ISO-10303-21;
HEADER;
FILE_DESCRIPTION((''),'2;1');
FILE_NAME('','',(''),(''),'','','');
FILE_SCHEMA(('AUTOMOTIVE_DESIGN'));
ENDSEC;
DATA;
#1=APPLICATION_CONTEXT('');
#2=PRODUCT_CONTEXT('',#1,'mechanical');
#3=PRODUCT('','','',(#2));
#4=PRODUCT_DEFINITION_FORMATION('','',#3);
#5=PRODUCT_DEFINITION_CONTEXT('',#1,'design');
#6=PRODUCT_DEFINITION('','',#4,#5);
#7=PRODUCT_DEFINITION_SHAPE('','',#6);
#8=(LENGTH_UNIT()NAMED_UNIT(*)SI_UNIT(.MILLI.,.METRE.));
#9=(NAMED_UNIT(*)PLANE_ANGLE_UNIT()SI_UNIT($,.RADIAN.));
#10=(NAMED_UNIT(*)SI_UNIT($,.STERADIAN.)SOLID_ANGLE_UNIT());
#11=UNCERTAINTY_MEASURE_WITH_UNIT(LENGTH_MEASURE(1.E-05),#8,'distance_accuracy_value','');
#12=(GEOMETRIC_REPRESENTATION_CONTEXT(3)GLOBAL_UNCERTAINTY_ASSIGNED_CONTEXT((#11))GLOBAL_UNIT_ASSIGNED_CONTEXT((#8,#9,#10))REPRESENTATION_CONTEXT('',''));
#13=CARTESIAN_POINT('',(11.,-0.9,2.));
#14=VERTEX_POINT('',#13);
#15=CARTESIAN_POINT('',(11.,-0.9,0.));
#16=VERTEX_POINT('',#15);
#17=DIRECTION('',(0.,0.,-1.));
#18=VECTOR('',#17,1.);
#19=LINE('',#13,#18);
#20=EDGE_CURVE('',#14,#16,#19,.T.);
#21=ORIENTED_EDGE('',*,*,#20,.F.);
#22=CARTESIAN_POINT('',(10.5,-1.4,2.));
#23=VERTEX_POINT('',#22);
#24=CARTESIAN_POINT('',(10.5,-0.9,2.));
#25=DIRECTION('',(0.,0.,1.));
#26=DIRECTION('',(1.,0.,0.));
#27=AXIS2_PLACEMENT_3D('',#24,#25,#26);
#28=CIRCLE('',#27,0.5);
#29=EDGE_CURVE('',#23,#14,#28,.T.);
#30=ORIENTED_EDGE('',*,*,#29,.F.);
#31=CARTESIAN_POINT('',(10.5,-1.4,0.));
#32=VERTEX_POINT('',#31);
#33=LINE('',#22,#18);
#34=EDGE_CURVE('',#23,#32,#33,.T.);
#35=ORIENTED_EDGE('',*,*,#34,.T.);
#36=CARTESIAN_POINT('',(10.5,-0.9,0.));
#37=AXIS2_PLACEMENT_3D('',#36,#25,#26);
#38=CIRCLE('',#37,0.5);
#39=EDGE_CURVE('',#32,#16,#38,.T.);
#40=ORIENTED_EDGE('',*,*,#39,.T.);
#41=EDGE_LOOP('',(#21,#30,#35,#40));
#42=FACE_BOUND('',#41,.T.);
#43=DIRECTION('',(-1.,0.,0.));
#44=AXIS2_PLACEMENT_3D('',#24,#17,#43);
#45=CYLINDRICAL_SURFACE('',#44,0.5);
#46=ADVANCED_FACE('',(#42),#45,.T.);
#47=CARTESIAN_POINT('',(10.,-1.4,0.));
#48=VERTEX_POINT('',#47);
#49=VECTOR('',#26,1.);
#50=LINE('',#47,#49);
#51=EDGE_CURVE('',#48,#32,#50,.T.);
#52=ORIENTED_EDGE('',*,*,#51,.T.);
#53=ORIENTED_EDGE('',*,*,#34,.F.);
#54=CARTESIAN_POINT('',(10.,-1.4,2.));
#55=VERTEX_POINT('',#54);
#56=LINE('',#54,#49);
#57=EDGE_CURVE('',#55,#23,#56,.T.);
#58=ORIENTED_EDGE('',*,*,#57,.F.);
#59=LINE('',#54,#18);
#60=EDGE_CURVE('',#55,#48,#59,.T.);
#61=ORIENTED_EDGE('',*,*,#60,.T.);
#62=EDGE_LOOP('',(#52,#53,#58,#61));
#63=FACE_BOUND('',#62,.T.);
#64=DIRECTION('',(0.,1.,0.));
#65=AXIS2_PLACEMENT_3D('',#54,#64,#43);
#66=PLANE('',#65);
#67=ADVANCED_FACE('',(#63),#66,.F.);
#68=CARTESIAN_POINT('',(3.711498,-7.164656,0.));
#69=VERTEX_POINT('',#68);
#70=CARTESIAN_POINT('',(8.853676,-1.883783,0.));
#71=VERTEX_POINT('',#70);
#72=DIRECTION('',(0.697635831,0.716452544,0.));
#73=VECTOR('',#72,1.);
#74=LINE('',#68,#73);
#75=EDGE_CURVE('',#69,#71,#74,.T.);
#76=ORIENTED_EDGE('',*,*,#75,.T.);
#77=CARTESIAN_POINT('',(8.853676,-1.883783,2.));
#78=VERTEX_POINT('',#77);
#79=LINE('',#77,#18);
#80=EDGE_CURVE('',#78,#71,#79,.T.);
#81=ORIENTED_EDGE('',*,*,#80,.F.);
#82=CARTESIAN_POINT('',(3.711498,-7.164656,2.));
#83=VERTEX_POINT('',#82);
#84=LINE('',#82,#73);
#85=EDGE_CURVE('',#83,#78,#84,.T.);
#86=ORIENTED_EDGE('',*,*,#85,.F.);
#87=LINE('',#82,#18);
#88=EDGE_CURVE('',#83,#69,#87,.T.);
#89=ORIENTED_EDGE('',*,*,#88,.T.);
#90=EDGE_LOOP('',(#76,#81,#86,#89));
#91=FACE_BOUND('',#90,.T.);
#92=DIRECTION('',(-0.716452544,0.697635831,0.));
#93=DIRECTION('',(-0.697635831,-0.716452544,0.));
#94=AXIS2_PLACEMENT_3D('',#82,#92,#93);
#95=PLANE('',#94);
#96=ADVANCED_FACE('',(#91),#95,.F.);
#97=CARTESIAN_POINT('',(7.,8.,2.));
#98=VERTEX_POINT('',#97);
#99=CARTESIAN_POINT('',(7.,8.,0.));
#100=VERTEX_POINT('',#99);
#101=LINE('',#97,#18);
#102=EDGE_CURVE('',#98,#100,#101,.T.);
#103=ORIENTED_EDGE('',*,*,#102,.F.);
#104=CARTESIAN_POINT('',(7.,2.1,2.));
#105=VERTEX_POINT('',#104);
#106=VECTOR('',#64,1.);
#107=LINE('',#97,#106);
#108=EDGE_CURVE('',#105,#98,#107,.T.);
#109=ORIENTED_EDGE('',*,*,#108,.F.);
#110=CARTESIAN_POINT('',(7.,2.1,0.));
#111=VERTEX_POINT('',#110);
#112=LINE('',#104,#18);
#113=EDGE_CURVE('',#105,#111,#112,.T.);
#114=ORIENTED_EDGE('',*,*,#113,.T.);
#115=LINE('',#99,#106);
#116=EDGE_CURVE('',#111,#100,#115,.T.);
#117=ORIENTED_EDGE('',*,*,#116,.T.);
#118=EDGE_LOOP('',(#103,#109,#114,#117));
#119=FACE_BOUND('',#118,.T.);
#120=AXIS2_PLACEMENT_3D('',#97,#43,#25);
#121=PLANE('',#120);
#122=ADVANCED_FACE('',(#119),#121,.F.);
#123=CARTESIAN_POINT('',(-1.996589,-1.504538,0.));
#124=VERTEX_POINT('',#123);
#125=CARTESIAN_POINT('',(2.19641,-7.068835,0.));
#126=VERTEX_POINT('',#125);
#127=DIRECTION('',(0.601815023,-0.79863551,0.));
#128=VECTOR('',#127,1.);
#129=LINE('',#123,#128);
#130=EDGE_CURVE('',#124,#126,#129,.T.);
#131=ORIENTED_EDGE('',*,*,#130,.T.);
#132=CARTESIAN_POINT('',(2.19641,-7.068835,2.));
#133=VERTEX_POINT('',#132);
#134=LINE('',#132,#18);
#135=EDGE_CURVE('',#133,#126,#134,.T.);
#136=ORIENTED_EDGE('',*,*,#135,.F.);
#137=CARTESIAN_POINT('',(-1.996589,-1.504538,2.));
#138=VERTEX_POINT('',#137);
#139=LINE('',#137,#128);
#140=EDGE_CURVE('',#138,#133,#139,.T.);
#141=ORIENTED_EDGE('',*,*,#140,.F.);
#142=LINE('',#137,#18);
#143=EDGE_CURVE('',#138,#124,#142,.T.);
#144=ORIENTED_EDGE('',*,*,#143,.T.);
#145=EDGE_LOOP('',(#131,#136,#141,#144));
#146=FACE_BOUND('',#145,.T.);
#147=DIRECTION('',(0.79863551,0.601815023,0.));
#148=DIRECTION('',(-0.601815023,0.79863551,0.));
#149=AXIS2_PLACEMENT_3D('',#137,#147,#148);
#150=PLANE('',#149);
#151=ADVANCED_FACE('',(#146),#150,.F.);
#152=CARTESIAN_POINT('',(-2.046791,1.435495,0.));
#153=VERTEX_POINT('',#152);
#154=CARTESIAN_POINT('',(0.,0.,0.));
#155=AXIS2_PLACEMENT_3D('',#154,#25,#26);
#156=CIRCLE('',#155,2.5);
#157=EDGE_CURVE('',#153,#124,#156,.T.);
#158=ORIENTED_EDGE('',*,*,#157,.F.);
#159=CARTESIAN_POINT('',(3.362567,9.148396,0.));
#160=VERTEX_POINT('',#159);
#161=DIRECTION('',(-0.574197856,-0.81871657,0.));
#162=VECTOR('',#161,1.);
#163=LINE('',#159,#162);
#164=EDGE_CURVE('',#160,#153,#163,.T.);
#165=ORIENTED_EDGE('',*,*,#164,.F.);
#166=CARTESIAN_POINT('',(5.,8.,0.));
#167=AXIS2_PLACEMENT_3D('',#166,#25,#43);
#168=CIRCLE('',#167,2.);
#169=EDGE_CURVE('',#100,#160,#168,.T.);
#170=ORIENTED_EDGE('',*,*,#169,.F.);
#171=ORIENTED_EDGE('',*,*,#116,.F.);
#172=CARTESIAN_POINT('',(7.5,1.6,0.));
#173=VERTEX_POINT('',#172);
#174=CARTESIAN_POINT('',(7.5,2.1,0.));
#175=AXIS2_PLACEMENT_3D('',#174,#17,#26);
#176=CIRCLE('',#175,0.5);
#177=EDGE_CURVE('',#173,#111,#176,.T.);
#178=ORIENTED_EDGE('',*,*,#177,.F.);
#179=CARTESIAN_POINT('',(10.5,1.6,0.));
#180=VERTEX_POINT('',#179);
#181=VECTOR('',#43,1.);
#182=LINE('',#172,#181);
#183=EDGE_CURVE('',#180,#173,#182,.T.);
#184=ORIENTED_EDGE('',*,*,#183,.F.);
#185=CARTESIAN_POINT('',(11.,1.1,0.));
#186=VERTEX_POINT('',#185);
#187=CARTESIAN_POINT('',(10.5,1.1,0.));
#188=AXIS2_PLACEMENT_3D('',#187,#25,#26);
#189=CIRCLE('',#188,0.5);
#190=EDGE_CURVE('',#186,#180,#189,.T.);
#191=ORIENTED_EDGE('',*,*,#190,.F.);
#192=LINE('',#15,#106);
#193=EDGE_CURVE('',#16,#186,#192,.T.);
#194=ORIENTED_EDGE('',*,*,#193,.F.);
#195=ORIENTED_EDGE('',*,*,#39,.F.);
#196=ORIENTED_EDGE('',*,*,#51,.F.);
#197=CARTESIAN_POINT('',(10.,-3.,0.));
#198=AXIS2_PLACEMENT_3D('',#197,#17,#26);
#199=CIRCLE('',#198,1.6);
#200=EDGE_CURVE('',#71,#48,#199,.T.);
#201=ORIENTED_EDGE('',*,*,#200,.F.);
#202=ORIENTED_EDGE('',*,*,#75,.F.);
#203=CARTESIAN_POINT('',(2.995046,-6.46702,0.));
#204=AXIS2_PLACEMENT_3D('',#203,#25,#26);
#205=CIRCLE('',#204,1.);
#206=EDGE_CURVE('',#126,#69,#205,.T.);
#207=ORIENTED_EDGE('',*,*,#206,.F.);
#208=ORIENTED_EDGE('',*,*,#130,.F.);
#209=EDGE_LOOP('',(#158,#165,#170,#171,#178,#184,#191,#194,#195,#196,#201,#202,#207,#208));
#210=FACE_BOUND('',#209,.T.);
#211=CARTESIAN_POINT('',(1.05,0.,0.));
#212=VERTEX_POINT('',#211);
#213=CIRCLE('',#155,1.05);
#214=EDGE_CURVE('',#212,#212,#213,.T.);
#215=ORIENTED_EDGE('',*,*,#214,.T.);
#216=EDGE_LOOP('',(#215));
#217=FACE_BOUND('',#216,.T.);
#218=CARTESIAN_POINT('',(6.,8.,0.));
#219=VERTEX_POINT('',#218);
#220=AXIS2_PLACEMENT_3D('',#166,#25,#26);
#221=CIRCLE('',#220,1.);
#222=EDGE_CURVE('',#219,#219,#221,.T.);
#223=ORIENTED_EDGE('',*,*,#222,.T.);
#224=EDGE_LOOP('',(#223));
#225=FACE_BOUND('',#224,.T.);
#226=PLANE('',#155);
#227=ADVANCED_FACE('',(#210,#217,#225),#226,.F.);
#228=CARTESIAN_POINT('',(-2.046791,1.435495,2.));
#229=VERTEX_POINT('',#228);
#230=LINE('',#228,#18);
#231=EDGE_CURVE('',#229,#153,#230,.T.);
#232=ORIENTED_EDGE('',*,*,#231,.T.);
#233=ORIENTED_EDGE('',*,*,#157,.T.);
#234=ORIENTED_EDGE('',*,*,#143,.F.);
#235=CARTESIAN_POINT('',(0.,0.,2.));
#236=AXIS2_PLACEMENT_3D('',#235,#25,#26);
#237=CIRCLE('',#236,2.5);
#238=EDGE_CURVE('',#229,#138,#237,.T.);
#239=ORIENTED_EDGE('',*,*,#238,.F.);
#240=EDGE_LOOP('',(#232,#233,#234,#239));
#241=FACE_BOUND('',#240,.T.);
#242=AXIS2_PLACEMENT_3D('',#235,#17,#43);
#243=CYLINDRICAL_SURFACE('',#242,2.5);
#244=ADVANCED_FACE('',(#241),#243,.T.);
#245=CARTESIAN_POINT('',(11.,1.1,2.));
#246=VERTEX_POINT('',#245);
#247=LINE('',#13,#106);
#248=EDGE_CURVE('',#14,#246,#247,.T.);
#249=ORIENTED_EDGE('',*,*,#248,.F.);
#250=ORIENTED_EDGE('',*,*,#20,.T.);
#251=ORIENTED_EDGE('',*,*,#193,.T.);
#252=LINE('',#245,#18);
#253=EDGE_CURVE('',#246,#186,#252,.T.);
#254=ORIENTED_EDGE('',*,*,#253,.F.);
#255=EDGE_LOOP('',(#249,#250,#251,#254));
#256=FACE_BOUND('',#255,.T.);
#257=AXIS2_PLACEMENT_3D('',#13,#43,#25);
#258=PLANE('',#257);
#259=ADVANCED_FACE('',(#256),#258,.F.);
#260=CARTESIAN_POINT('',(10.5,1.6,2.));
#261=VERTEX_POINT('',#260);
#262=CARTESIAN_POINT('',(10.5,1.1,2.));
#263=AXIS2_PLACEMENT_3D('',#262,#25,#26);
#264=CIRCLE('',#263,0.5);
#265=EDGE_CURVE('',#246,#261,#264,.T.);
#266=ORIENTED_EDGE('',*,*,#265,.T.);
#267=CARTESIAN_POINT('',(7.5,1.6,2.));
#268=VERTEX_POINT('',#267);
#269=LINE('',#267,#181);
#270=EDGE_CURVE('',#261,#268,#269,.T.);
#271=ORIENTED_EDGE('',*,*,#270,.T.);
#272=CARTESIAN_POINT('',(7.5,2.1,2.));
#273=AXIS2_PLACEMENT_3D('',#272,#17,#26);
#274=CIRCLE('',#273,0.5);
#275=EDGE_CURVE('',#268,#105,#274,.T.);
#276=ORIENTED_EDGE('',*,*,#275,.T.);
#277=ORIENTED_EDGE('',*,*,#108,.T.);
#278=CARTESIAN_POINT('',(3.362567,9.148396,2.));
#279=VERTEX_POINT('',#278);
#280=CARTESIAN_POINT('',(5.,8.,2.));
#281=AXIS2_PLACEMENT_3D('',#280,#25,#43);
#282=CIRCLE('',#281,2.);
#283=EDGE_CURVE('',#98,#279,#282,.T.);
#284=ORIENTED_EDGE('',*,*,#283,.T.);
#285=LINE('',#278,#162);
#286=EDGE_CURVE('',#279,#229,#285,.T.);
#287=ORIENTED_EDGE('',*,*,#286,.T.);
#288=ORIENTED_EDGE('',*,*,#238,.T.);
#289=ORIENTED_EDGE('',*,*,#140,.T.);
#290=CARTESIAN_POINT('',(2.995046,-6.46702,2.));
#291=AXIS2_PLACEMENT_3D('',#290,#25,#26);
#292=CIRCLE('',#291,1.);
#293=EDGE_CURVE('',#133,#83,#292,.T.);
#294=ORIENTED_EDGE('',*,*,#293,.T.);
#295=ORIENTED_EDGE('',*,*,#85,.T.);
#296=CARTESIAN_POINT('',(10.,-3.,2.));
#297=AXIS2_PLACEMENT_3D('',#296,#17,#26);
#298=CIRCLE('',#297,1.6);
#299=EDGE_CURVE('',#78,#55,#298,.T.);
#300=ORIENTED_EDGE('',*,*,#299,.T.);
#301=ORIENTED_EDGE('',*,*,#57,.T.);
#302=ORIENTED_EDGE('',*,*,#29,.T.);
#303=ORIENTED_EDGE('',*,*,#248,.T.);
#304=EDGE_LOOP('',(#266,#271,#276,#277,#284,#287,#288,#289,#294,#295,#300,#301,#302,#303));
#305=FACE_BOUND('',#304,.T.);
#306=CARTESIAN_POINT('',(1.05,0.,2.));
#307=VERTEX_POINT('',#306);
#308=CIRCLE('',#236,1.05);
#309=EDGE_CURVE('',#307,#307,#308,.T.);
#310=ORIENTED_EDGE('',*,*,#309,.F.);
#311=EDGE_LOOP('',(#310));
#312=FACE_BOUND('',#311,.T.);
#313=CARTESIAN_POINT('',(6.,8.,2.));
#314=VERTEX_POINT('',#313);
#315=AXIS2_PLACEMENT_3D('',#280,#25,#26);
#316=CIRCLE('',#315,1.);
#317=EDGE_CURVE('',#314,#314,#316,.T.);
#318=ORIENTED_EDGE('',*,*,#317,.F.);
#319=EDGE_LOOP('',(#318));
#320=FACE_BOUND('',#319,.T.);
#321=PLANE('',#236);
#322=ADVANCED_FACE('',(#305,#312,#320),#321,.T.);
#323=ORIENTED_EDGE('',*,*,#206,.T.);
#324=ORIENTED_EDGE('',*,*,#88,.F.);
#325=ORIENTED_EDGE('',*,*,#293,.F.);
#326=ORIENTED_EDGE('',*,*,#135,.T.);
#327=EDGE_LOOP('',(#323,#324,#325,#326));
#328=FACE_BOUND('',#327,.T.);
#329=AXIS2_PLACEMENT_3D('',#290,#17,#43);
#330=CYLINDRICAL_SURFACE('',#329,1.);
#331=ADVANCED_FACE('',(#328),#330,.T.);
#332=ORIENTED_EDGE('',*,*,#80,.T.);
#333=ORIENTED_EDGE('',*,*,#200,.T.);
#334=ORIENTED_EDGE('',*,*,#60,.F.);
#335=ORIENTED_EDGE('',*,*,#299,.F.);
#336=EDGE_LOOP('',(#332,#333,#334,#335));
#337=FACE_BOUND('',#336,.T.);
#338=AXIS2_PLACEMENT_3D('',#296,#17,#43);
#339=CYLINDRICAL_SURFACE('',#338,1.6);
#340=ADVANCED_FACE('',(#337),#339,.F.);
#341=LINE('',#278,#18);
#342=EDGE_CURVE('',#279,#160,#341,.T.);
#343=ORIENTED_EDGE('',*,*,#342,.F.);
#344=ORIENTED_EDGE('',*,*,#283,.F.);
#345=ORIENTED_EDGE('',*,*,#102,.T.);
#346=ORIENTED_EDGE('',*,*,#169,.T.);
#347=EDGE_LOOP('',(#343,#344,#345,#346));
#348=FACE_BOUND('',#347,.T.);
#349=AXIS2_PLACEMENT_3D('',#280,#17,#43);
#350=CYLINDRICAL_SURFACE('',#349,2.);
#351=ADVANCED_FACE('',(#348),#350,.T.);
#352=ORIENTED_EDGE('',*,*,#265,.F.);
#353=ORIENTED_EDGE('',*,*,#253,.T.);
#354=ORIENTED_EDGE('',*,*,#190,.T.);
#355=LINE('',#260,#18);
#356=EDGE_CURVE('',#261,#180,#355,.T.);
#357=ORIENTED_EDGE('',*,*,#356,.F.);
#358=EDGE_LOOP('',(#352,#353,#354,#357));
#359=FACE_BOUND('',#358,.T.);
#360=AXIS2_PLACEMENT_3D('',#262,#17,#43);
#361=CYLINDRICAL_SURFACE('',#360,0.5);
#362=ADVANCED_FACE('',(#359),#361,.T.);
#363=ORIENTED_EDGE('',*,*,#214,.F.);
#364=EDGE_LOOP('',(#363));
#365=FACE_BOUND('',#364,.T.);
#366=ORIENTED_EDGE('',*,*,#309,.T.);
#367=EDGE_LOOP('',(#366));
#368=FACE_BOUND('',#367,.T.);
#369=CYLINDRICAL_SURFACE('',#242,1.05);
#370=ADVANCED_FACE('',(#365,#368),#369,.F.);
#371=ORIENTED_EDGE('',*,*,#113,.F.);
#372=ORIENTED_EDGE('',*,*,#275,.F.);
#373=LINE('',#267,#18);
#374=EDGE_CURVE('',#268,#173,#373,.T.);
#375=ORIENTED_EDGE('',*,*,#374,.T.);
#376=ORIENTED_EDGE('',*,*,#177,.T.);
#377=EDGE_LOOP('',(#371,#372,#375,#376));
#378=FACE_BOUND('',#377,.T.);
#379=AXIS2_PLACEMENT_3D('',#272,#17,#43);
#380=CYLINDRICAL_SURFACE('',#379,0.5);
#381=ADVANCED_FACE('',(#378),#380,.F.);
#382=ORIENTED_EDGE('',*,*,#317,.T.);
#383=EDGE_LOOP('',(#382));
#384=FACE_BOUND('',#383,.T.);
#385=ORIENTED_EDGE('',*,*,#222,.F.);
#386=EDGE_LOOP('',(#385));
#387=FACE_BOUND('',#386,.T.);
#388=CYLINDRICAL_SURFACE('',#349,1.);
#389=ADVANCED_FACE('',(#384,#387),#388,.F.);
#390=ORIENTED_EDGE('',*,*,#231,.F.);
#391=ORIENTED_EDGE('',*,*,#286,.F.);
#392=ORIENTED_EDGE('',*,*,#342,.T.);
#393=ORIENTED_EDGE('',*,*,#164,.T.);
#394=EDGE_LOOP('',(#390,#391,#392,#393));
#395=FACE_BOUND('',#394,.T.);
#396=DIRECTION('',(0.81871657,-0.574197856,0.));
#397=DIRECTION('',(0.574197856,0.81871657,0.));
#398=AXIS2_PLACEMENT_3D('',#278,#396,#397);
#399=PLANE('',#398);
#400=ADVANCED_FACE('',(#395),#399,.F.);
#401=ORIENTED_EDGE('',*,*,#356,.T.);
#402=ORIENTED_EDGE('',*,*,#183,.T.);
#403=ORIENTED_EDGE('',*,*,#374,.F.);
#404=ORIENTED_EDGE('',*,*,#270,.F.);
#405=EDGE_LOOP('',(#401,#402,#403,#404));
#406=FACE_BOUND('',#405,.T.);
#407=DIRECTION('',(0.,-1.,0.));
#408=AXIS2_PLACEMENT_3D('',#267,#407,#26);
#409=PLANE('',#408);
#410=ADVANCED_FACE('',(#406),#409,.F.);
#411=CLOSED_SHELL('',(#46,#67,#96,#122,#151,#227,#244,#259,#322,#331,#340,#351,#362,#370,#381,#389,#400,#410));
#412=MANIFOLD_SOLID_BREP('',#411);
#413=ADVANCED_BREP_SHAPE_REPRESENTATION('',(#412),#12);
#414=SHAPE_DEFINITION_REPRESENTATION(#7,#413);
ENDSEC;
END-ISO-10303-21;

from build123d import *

# Parameters (mm, degrees)
SKETCH_1_R      = 1.05
SKETCH_1_R_2    = 1
EXTRUDE_1_DEPTH = 2


with BuildPart() as part:
    # 草图1 → 凸台-拉伸1 (new body)
    with BuildSketch(Plane.XY):
        with BuildLine():
            Line((10, -1.4), (10.5, -1.4))
            ThreePointArc((10.5, -1.4), (10.853553391, -1.253553391), (11, -0.9))
            Line((11, -0.9), (11, 1.1))
            ThreePointArc((11, 1.1), (10.853553391, 1.453553391), (10.5, 1.6))
            Line((10.5, 1.6), (7.5, 1.6))
            ThreePointArc((7.5, 1.6), (7.146446609, 1.746446609), (7, 2.1))
            Line((7, 2.1), (7, 8))
            ThreePointArc((7, 8), (5.602135251, 9.907205584), (3.36256686, 9.148395712))
            Line((3.36256686, 9.148395712), (-2.046791425, 1.435494641))
            ThreePointArc((-2.046791425, 1.435494641), (-2.499635612, -0.042682638), (-1.996588775, -1.504537558))
            Line((-1.996588775, -1.504537558), (2.196410118, -7.068835026))
            ThreePointArc((2.196410118, -7.068835026), (2.931927352, -7.465026056), (3.711498172, -7.164655833))
            Line((3.711498172, -7.164655833), (8.85367593, -1.883782671))
            ThreePointArc((8.85367593, -1.883782671), (9.377885753, -1.525898964), (10, -1.4))
        make_face()
        Circle(SKETCH_1_R, mode=Mode.SUBTRACT)
        with Locations((5, 8)):
            Circle(SKETCH_1_R_2, mode=Mode.SUBTRACT)
    extrude(amount=EXTRUDE_1_DEPTH)


solid = part.part
